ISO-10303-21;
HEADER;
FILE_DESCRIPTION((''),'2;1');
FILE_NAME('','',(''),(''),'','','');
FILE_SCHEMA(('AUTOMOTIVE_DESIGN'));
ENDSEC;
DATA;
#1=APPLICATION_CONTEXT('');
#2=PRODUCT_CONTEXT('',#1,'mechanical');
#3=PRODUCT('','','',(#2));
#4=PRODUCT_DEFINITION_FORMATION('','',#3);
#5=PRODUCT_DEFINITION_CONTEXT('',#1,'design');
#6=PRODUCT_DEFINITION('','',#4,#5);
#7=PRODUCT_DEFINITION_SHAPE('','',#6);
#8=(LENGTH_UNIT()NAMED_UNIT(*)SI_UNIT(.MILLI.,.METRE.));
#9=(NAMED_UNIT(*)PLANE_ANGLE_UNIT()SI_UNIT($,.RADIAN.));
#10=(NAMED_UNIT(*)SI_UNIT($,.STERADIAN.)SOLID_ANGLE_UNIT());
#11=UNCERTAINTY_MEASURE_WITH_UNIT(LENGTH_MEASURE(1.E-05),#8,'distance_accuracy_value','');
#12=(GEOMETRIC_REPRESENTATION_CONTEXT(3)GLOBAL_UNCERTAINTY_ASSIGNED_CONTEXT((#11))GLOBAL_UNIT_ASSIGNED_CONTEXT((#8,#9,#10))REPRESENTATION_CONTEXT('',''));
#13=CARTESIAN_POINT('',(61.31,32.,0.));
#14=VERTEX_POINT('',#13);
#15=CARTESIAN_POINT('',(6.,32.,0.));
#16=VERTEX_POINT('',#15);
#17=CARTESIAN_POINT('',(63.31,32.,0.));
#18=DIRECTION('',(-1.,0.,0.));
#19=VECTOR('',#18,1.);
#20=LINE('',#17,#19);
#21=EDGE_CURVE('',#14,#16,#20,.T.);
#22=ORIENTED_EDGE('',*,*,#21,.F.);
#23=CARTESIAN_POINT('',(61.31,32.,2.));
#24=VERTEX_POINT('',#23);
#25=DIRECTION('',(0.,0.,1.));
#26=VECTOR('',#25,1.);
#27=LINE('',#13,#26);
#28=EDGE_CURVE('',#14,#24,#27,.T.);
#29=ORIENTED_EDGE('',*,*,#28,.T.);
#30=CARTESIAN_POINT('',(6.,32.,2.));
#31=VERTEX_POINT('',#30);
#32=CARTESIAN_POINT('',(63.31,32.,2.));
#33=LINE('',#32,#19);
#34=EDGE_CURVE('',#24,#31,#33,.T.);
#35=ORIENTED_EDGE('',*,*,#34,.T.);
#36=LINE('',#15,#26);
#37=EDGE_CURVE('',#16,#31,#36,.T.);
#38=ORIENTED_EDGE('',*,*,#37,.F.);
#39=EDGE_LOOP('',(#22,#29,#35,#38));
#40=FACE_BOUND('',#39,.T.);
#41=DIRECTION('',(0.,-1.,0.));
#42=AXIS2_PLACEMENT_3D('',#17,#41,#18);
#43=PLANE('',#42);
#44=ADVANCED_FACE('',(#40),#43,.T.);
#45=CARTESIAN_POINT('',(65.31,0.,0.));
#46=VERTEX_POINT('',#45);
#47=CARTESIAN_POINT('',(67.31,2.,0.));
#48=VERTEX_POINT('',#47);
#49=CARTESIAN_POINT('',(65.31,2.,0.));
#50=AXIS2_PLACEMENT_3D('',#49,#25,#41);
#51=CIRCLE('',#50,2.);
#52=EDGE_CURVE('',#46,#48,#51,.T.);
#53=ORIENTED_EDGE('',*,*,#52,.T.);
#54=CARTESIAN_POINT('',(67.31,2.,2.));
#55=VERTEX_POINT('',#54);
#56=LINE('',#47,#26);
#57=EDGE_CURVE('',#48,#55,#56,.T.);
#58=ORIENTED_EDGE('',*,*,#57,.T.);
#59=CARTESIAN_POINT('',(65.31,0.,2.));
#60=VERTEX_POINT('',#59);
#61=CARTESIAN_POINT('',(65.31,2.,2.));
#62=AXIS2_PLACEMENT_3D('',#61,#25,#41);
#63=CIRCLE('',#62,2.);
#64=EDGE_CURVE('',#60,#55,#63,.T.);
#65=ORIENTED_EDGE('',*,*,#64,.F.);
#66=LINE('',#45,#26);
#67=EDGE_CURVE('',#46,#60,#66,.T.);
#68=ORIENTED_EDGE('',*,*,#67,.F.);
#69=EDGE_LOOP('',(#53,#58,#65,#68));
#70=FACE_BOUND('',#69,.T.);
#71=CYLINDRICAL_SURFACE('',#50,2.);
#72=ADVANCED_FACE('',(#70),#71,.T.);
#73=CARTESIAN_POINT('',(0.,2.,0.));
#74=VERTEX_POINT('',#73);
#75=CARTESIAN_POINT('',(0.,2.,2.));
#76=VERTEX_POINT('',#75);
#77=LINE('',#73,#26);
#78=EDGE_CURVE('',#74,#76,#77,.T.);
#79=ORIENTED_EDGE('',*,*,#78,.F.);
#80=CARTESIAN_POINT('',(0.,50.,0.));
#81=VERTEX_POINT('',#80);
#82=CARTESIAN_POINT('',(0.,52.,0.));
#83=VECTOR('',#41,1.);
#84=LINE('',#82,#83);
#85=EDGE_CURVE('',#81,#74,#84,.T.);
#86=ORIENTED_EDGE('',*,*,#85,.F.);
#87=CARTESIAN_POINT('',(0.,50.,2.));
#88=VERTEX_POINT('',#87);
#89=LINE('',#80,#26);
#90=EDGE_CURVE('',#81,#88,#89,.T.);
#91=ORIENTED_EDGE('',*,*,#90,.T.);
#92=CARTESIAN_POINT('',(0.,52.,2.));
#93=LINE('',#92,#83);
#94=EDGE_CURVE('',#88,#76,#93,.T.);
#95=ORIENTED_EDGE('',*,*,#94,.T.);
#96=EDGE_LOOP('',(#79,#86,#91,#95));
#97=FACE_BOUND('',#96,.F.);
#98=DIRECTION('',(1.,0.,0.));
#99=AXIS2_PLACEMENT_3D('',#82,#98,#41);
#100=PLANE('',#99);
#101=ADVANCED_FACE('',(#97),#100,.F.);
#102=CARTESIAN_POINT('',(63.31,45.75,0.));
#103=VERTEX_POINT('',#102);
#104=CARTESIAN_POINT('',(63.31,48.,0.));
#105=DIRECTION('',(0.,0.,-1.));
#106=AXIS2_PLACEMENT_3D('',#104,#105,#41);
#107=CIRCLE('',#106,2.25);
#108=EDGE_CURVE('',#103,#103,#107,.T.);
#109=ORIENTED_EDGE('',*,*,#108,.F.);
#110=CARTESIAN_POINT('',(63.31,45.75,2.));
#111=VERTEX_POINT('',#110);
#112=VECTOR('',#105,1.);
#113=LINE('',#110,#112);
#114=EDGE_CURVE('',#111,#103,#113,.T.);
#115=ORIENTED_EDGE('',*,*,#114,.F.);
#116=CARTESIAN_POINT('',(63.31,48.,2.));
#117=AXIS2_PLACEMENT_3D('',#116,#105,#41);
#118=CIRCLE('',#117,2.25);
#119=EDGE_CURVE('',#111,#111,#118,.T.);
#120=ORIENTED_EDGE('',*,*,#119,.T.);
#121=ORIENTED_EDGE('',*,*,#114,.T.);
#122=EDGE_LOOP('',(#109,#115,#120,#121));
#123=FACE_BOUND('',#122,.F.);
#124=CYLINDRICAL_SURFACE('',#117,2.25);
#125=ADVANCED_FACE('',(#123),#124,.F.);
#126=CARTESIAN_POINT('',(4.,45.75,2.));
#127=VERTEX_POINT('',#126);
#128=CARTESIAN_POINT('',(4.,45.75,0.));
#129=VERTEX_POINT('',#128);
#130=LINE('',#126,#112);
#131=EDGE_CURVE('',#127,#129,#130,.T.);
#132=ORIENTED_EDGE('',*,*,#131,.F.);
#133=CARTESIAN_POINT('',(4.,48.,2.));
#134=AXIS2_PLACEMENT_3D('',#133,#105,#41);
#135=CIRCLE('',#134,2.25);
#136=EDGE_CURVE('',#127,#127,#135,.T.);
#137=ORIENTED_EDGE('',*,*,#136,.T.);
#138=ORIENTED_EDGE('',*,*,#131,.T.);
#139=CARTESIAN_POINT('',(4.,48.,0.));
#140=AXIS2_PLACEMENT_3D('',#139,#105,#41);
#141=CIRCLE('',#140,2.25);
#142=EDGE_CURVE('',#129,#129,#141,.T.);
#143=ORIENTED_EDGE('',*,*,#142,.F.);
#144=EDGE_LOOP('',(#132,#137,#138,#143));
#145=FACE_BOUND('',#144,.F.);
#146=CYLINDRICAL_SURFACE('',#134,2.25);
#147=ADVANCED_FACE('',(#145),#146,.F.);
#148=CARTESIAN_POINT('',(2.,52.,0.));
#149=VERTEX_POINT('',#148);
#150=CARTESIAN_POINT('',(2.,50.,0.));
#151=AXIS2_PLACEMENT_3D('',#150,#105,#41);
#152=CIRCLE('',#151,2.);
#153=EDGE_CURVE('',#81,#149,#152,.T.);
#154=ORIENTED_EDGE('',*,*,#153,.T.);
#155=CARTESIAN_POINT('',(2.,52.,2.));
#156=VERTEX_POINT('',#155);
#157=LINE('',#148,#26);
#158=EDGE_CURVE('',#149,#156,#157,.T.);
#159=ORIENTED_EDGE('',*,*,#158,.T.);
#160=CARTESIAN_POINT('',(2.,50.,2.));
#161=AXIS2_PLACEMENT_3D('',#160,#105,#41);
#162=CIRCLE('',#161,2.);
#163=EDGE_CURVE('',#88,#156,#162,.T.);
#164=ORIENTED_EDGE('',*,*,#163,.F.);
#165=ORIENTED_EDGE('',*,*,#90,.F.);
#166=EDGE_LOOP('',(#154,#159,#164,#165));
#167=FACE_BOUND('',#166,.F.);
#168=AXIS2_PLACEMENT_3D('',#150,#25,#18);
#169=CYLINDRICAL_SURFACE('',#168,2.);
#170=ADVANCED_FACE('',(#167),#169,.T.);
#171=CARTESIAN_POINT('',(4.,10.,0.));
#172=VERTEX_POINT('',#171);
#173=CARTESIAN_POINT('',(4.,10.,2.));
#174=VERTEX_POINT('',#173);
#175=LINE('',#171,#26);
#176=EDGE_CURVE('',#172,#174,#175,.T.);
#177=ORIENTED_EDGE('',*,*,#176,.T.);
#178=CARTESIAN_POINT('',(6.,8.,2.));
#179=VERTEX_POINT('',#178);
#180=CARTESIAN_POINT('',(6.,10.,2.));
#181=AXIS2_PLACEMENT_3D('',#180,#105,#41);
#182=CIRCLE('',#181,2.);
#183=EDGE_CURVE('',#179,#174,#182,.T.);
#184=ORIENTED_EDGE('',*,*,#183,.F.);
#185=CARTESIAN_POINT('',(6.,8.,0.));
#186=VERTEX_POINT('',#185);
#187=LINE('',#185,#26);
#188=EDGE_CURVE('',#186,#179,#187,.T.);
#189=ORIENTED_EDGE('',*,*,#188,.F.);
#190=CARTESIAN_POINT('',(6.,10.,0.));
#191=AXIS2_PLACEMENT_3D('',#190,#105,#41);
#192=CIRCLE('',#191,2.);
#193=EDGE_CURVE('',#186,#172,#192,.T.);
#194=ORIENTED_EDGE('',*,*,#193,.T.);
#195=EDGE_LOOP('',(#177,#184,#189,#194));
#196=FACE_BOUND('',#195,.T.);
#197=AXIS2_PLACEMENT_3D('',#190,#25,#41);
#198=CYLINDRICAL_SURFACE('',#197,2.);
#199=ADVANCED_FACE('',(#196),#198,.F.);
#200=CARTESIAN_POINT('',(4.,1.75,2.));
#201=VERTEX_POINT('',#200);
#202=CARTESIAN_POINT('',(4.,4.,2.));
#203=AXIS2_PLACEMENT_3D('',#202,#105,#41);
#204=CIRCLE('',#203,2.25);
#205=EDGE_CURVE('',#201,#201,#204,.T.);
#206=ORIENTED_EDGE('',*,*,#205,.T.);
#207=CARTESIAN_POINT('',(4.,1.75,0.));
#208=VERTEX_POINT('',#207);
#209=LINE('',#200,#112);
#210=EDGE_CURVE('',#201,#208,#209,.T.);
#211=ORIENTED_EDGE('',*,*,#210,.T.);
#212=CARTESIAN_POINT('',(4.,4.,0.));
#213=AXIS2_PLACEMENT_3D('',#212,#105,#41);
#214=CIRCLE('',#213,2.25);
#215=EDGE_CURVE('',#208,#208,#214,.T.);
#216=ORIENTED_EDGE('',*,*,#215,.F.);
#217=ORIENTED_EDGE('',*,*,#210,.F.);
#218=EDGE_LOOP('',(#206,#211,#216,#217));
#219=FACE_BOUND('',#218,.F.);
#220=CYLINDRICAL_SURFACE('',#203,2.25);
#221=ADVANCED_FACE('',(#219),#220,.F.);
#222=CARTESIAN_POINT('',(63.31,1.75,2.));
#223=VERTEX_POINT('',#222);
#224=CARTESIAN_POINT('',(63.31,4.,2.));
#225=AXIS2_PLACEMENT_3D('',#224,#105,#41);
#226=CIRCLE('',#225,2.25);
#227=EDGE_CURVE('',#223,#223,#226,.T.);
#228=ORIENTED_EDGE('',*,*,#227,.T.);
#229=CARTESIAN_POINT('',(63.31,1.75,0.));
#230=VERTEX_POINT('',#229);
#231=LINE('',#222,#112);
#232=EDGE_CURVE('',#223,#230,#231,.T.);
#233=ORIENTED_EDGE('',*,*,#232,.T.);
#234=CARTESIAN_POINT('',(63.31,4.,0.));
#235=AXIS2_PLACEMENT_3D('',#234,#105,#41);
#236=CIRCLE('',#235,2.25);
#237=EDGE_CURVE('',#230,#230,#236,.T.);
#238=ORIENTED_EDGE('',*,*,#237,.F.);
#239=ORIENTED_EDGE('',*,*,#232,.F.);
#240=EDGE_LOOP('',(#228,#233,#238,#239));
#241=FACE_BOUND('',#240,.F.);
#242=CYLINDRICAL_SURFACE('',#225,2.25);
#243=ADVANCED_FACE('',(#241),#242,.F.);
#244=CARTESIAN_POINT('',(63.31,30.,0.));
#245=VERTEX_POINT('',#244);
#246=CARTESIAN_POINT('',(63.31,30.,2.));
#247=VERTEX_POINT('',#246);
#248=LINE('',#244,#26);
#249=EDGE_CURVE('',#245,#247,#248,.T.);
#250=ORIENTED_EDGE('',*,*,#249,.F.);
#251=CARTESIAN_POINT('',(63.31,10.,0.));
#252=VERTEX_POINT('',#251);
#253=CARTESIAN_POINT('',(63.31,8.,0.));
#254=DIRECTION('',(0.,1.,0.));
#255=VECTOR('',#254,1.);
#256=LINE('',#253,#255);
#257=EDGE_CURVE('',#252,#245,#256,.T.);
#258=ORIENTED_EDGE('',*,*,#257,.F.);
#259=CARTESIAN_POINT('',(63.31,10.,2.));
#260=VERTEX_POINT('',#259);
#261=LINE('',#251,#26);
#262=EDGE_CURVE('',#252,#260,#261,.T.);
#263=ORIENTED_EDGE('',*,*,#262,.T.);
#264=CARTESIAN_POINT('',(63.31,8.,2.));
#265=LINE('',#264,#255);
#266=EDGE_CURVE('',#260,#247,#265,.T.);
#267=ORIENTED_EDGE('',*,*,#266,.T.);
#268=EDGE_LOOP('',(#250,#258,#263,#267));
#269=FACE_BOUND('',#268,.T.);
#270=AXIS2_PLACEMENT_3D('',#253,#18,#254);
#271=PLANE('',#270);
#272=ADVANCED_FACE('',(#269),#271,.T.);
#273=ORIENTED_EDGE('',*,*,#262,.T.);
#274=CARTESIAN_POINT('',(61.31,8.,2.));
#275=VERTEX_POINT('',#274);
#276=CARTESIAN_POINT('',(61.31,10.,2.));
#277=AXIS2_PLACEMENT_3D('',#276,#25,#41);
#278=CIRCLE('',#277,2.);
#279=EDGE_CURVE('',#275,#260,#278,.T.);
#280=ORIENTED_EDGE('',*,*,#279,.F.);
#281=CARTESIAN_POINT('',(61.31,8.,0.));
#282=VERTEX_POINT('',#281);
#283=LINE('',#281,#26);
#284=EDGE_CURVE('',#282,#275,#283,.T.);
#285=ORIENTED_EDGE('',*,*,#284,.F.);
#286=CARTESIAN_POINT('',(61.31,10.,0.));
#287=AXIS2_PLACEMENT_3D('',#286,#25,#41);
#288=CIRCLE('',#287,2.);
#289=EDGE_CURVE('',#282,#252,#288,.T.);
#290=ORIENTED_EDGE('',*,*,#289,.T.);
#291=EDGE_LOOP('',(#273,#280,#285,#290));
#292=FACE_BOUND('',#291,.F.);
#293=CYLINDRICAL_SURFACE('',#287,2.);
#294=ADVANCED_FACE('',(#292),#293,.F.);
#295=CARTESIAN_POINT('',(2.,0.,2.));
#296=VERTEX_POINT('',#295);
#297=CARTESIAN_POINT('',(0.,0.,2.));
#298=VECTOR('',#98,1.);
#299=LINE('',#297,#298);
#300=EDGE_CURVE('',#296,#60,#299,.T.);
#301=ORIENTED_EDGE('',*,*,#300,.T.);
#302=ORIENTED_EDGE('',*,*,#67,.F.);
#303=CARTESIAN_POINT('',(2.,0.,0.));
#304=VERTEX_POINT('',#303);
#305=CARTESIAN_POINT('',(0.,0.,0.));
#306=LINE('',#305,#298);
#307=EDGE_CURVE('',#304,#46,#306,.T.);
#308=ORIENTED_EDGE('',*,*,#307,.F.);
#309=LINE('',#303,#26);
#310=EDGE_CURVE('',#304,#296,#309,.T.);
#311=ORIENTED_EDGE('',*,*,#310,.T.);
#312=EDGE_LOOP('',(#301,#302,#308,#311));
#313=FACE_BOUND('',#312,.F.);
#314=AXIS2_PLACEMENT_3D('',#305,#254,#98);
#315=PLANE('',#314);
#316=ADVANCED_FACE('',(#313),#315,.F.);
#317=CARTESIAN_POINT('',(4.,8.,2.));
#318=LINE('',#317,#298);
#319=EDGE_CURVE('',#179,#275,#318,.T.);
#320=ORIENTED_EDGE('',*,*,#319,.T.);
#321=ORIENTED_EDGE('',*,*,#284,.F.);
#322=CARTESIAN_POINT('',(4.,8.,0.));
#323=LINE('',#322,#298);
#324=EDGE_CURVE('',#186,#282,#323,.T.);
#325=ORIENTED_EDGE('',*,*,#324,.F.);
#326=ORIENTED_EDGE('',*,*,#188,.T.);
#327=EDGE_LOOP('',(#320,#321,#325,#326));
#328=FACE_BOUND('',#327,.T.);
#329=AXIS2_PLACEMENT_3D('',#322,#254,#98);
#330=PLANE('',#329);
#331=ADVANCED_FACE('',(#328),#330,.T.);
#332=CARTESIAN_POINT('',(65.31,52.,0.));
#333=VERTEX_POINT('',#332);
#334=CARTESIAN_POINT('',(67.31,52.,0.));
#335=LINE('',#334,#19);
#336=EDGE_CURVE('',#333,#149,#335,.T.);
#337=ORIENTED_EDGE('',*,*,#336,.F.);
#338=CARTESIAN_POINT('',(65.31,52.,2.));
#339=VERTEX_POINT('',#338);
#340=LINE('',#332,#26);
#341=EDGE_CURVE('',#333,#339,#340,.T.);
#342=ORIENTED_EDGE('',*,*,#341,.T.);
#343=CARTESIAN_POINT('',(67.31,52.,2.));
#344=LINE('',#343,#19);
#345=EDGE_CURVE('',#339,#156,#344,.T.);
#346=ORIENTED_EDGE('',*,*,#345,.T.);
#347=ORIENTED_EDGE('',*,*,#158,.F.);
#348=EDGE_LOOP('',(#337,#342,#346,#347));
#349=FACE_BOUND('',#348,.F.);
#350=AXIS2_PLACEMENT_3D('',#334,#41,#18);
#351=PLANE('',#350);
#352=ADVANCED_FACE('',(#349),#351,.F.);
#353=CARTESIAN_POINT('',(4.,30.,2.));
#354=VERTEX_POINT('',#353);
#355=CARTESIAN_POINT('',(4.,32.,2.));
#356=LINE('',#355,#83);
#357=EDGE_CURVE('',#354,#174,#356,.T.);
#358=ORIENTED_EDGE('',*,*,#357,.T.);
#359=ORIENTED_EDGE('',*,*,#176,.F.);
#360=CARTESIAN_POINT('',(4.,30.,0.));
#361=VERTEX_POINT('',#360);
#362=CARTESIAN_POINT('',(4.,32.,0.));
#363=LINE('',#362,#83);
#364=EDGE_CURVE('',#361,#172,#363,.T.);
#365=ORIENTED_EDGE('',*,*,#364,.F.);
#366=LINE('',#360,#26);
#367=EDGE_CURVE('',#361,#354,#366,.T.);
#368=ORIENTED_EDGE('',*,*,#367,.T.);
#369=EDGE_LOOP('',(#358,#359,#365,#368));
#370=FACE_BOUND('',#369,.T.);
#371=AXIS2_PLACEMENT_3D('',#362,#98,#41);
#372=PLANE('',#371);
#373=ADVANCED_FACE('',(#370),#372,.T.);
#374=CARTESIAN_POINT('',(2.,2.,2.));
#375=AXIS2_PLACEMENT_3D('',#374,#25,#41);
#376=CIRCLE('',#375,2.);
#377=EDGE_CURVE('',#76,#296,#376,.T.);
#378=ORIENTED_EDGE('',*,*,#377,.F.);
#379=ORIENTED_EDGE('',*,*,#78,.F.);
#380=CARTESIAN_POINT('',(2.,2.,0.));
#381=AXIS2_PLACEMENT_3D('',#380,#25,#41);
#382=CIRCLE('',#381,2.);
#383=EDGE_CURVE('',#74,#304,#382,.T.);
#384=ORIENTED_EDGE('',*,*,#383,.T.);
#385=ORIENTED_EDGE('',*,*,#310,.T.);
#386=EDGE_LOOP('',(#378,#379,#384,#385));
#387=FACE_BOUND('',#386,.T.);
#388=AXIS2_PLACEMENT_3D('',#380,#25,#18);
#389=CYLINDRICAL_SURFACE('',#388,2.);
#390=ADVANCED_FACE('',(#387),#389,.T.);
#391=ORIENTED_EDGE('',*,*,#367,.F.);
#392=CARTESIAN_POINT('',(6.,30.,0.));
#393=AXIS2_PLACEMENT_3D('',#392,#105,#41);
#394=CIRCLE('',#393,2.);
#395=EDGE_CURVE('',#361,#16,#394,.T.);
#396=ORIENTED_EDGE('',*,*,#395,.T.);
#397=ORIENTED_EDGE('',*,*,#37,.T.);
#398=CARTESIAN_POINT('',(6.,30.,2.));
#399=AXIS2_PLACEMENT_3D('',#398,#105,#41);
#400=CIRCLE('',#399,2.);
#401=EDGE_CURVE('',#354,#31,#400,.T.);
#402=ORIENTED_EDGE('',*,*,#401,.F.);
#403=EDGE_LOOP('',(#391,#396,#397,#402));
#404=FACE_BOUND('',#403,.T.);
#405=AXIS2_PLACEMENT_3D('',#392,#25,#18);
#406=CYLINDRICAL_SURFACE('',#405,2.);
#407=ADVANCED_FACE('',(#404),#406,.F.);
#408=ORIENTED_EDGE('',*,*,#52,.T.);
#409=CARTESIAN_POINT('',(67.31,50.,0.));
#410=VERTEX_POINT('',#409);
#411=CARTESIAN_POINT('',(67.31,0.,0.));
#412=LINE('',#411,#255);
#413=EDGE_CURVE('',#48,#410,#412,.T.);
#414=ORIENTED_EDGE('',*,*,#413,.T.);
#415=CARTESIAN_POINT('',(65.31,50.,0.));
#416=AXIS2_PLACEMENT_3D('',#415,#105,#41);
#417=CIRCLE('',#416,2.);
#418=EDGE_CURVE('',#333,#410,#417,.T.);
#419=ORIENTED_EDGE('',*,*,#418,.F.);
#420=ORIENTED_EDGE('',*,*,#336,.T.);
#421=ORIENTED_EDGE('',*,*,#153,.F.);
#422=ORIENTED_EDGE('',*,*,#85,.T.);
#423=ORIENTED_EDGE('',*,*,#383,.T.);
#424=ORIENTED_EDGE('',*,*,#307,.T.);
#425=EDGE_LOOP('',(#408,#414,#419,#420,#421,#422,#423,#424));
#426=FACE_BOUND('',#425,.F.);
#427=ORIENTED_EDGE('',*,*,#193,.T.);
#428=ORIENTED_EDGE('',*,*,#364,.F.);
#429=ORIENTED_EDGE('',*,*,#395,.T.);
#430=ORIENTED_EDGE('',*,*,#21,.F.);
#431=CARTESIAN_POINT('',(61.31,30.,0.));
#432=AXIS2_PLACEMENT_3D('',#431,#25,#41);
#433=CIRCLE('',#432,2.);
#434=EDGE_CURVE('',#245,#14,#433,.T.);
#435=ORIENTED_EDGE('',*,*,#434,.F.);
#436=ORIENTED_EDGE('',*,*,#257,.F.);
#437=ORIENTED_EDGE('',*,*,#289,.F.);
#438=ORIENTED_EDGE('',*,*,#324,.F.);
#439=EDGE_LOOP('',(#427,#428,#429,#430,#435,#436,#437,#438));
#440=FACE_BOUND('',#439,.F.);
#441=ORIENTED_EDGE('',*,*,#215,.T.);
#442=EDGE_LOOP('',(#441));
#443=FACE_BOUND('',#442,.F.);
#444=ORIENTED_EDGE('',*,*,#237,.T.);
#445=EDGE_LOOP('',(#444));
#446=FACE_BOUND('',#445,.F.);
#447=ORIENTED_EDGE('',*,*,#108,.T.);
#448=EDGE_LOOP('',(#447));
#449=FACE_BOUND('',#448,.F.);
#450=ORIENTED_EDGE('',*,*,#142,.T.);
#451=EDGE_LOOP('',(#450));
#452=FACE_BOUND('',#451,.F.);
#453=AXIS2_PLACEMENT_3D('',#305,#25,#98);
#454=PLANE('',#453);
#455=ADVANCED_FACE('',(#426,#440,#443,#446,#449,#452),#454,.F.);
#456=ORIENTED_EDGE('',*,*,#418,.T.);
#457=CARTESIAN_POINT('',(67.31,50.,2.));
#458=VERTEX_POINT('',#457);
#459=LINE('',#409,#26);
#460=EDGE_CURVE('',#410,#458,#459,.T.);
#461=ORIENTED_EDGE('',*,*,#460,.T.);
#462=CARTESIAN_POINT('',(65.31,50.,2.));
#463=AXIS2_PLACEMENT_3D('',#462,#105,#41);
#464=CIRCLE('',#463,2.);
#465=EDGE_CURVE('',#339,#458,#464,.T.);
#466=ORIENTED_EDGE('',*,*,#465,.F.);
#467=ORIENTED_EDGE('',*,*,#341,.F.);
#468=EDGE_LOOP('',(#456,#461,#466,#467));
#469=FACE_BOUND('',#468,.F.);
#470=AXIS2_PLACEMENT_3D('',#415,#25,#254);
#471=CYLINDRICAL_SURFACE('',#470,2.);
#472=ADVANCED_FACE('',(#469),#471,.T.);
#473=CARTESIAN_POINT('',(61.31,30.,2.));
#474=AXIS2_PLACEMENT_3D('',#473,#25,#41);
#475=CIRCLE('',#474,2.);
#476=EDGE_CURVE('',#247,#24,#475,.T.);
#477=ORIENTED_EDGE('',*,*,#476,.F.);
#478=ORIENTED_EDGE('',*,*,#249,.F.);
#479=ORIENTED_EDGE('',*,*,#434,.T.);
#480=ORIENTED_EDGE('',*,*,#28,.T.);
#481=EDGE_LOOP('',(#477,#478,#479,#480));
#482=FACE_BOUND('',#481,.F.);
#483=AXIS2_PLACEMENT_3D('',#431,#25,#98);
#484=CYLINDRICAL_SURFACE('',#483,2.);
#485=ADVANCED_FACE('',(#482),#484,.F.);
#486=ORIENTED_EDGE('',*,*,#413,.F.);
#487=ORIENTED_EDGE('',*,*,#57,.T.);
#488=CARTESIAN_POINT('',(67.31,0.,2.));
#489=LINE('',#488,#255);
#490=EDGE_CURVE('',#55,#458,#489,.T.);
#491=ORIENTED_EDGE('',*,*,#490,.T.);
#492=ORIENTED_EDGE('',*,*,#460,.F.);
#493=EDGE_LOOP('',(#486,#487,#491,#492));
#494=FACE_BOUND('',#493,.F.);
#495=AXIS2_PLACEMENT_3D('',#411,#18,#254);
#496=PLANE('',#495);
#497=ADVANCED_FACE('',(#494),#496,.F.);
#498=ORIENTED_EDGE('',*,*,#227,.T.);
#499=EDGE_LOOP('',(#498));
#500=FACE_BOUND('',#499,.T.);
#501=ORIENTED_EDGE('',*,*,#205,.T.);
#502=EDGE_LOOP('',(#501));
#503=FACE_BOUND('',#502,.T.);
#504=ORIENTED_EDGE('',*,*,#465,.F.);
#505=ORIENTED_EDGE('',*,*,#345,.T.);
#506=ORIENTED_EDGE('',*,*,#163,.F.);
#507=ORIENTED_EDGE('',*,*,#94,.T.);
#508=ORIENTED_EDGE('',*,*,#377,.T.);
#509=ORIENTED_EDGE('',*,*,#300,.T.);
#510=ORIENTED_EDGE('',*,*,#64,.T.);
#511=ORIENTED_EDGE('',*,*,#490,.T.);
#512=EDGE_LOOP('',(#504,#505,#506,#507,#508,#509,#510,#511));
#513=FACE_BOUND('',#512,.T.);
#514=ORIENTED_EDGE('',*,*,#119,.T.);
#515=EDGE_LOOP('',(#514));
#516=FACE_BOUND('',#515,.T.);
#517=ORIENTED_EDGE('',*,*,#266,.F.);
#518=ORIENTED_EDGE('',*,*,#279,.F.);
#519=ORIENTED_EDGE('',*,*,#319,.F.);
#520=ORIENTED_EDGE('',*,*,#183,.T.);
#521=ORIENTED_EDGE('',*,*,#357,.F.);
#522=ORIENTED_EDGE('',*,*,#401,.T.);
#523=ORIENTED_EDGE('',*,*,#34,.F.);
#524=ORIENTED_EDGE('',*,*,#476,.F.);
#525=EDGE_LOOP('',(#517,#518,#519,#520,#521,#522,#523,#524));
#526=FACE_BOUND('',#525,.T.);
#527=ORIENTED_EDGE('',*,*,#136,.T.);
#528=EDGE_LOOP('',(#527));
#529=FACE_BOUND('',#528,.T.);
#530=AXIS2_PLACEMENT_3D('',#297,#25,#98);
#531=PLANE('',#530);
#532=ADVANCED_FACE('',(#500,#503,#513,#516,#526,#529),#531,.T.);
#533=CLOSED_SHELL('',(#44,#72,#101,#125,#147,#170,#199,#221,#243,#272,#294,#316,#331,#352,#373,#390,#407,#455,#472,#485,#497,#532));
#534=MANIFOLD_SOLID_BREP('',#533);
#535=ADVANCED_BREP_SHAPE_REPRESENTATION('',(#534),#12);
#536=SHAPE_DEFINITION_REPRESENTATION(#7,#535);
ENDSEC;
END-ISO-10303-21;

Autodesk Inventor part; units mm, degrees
ref_plane "YZ Plane" through (0, 0, 0) normal (1, 0, 0) x (0, 1, 0)
ref_plane "XZ Plane" through (0, 0, 0) normal (0, 1, 0) x (-1, 0, 0)
ref_plane "XY Plane" through (0, 0, 0) normal (0, 0, 1) x (1, 0, 0)
sketch "Sketch1" plane through (0, 0, 0) normal (0, 0, 1) x (1, 0, 0)
  line L0 (0, 0) -> (67.31, 0)
  line L1 (67.31, 0) -> (67.31, 52)
  line L2 (67.31, 52) -> (0, 52)
  line L3 (0, 52) -> (0, 0)
  line L4 (4, 8) -> (63.31, 8)
  line L5 (63.31, 8) -> (63.31, 32)
  line L6 (63.31, 32) -> (4, 32)
  line L7 (4, 32) -> (4, 8)
  dimension "d0" = 67.31
  dimension "d1" = 52
  dimension "d2" = 59.31
  dimension "d4" = 4
  dimension "d5" = 8
  dimension "d19" = 20
extrude "Extrusion1" add sketch "Sketch1" along normal blind 2
sketch "Sketch2" plane through (0, 0, 2) normal (0, 0, 1) x (1, 0, 0)
  line L0 (0, 0) -> (67.31, 0) projected
  line L1 (4, 0) -> (4, 39.8865)
  line L2 (0, 52) -> (0, 0) projected
  line L3 (0, 48) -> (67.31, 48)
  line L4 (63.31, 39.878) -> (63.31, 0)
  line L5 (0, 4) -> (67.31, 4)
  line L6 (67.31, 52) -> (0, 52) projected
  line L7 (67.31, 0) -> (67.31, 52) projected
  point P0 (4, 48)
  point P1 (4, 4)
  point P2 (63.31, 4)
  point P3 (63.31, 48)
  dimension "d8" = 4
  dimension "d9" = 4
  dimension "d10" = 4
  dimension "d11" = 4
hole "Hole1" at (4, 48, 2) at (4, 4, 2) at (63.31, 4, 2) at (63.31, 48, 2) direction (0, 0, -1) diameter 4.5 end through all
fillet "Fillet1" radius 2 4 edges at (0, 52, 1) (0, 0, 1) (67.31, 0, 1) (67.31, 52, 1)
fillet "Fillet2" radius 2 4 edges at (63.31, 8, 1) (63.31, 32, 1) (4, 32, 1) (4, 8, 1)
properties part number "cosmic-watch-endplate"
